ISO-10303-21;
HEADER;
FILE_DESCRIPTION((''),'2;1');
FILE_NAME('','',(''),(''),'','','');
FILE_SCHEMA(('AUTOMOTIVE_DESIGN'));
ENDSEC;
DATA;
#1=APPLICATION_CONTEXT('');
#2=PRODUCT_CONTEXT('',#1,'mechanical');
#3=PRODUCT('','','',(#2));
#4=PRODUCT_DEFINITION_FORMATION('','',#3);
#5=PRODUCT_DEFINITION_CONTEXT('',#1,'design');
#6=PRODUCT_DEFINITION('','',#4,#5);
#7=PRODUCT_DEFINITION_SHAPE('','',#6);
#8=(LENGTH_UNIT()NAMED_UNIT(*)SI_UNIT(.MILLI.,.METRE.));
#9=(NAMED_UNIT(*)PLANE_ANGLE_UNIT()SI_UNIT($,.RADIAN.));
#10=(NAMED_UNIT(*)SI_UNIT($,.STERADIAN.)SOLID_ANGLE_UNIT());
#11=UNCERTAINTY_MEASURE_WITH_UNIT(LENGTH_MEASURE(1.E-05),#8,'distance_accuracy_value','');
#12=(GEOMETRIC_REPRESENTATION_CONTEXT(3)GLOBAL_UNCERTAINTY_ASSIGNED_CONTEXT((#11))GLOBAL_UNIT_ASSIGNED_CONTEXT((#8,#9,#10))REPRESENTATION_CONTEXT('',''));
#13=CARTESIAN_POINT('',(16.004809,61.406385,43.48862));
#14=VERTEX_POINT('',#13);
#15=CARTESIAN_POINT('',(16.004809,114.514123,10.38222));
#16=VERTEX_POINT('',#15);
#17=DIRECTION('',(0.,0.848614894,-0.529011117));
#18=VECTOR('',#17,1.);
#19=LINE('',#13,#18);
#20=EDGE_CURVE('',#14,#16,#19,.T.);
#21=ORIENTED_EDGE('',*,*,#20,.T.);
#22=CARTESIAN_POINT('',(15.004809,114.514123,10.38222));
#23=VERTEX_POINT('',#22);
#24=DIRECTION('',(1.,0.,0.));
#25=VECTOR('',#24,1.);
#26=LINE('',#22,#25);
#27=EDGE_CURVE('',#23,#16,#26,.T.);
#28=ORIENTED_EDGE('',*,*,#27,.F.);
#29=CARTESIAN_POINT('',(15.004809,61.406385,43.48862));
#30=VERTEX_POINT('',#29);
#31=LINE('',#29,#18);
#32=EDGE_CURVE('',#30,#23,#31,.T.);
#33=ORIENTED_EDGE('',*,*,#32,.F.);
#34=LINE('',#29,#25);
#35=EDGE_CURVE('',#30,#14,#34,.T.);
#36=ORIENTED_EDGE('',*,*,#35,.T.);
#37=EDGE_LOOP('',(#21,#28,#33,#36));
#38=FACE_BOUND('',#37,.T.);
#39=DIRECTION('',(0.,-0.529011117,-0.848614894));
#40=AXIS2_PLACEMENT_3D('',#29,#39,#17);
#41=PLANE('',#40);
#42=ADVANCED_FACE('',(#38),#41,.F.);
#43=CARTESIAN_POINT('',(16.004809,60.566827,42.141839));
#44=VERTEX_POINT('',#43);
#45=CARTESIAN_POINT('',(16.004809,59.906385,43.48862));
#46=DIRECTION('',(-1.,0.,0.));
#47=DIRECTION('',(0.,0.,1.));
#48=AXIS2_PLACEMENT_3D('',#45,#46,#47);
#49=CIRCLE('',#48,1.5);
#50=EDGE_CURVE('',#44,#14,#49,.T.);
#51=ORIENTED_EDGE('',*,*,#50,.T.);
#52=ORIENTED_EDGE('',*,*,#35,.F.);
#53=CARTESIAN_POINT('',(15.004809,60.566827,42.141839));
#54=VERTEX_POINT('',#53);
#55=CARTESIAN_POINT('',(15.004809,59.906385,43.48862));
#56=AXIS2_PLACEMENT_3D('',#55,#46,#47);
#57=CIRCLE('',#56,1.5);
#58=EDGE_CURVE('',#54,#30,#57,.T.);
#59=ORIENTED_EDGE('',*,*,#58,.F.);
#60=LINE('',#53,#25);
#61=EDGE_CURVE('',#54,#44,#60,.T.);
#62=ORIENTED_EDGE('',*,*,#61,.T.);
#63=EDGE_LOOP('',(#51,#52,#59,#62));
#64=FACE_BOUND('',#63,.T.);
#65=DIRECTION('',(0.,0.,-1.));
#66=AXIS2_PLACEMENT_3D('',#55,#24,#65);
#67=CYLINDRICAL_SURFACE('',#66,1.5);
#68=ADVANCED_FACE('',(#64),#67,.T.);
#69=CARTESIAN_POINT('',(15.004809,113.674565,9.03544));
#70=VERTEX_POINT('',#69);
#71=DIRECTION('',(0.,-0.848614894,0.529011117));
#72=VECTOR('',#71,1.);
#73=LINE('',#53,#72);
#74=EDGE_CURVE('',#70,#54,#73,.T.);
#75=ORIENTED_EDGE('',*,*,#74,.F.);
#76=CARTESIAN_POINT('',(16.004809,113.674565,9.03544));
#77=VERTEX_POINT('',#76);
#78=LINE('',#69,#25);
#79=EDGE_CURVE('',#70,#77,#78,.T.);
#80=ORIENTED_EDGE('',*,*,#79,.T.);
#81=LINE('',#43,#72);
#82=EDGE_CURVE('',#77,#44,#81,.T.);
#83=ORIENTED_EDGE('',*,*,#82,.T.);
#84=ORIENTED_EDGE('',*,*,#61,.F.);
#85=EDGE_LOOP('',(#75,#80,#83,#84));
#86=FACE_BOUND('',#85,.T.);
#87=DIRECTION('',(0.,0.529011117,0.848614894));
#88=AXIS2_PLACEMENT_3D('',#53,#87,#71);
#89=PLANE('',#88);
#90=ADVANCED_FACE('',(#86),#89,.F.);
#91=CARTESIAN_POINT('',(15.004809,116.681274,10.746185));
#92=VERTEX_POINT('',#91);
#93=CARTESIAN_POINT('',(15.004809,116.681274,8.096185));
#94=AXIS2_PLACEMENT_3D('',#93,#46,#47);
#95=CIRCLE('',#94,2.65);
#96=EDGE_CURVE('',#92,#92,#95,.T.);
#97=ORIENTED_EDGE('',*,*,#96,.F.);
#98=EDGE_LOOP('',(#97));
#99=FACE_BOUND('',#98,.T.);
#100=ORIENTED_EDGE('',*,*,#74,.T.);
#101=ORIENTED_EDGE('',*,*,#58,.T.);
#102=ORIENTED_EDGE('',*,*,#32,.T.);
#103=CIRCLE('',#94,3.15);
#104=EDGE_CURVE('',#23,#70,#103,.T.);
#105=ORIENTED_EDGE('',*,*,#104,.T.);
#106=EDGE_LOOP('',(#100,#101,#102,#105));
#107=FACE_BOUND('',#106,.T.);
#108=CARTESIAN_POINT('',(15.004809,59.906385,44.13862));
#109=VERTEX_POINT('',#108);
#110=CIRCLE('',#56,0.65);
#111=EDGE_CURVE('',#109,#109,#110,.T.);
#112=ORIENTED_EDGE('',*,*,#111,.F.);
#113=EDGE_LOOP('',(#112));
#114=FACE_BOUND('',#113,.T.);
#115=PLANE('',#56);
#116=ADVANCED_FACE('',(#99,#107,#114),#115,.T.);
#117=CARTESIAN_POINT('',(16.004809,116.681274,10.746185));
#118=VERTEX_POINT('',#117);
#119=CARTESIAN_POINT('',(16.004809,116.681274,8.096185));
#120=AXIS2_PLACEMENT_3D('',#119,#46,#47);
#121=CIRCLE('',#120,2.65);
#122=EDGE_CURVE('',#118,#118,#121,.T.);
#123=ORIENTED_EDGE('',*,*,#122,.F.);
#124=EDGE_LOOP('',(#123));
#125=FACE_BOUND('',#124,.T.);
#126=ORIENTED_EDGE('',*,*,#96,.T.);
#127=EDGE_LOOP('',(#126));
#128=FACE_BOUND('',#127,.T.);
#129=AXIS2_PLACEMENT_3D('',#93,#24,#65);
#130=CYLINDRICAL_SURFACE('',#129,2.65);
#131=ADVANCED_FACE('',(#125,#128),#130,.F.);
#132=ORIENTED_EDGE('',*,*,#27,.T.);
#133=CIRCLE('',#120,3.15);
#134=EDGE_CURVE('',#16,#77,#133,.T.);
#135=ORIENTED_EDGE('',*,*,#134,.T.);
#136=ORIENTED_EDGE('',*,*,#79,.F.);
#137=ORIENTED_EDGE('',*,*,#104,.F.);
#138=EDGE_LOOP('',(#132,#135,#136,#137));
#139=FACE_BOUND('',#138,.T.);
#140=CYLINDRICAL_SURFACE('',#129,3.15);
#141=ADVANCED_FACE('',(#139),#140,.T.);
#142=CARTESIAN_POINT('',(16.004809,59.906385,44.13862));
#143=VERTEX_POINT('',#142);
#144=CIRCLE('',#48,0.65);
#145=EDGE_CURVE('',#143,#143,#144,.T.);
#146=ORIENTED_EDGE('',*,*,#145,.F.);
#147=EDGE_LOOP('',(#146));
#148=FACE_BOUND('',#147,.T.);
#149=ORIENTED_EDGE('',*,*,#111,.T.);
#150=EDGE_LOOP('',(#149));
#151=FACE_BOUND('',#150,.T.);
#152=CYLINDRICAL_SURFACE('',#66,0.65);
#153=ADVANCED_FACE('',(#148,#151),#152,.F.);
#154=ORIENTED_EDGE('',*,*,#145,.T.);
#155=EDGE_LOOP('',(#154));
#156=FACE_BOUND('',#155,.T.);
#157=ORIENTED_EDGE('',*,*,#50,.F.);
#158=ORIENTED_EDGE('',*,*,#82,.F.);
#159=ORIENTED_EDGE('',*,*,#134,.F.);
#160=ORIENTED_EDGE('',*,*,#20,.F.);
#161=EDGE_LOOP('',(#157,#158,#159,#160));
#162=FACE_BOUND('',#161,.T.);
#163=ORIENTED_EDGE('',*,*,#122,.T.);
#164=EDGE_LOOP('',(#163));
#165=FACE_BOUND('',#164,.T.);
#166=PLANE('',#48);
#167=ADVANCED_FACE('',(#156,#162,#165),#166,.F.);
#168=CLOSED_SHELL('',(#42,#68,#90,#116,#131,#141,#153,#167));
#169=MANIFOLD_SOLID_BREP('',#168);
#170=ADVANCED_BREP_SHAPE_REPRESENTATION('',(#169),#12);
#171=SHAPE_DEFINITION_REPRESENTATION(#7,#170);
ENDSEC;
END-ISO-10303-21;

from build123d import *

# Parameters (mm, degrees)
SKETCH1_R           = 2.65
SKETCH1_R_2         = 0.65
BOSS_EXTRUDE1_DEPTH = 1


with BuildPart() as part:
    # Sketch1 → Boss-Extrude1 (new body)
    with BuildSketch(Plane.ZY.offset(-16.004809472)):
        with BuildLine():
            Line((43.488619522, 61.406385053), (10.382219934, 114.514122983))
            ThreePointArc((10.382219934, 114.514122983), (6.429799658, 119.354410747), (9.035439795, 113.674564697))
            Line((9.035439795, 113.674564697), (42.141839383, 60.566826767))
            ThreePointArc((42.141839383, 60.566826767), (44.282136198, 58.633462713), (43.488619522, 61.406385053))
        make_face()
        with Locations((8.096184677, 116.681273832)):
            Circle(SKETCH1_R, mode=Mode.SUBTRACT)
        with Locations((43.488619522, 59.906385053)):
            Circle(SKETCH1_R_2, mode=Mode.SUBTRACT)
    extrude(amount=BOSS_EXTRUDE1_DEPTH)


solid = part.part
